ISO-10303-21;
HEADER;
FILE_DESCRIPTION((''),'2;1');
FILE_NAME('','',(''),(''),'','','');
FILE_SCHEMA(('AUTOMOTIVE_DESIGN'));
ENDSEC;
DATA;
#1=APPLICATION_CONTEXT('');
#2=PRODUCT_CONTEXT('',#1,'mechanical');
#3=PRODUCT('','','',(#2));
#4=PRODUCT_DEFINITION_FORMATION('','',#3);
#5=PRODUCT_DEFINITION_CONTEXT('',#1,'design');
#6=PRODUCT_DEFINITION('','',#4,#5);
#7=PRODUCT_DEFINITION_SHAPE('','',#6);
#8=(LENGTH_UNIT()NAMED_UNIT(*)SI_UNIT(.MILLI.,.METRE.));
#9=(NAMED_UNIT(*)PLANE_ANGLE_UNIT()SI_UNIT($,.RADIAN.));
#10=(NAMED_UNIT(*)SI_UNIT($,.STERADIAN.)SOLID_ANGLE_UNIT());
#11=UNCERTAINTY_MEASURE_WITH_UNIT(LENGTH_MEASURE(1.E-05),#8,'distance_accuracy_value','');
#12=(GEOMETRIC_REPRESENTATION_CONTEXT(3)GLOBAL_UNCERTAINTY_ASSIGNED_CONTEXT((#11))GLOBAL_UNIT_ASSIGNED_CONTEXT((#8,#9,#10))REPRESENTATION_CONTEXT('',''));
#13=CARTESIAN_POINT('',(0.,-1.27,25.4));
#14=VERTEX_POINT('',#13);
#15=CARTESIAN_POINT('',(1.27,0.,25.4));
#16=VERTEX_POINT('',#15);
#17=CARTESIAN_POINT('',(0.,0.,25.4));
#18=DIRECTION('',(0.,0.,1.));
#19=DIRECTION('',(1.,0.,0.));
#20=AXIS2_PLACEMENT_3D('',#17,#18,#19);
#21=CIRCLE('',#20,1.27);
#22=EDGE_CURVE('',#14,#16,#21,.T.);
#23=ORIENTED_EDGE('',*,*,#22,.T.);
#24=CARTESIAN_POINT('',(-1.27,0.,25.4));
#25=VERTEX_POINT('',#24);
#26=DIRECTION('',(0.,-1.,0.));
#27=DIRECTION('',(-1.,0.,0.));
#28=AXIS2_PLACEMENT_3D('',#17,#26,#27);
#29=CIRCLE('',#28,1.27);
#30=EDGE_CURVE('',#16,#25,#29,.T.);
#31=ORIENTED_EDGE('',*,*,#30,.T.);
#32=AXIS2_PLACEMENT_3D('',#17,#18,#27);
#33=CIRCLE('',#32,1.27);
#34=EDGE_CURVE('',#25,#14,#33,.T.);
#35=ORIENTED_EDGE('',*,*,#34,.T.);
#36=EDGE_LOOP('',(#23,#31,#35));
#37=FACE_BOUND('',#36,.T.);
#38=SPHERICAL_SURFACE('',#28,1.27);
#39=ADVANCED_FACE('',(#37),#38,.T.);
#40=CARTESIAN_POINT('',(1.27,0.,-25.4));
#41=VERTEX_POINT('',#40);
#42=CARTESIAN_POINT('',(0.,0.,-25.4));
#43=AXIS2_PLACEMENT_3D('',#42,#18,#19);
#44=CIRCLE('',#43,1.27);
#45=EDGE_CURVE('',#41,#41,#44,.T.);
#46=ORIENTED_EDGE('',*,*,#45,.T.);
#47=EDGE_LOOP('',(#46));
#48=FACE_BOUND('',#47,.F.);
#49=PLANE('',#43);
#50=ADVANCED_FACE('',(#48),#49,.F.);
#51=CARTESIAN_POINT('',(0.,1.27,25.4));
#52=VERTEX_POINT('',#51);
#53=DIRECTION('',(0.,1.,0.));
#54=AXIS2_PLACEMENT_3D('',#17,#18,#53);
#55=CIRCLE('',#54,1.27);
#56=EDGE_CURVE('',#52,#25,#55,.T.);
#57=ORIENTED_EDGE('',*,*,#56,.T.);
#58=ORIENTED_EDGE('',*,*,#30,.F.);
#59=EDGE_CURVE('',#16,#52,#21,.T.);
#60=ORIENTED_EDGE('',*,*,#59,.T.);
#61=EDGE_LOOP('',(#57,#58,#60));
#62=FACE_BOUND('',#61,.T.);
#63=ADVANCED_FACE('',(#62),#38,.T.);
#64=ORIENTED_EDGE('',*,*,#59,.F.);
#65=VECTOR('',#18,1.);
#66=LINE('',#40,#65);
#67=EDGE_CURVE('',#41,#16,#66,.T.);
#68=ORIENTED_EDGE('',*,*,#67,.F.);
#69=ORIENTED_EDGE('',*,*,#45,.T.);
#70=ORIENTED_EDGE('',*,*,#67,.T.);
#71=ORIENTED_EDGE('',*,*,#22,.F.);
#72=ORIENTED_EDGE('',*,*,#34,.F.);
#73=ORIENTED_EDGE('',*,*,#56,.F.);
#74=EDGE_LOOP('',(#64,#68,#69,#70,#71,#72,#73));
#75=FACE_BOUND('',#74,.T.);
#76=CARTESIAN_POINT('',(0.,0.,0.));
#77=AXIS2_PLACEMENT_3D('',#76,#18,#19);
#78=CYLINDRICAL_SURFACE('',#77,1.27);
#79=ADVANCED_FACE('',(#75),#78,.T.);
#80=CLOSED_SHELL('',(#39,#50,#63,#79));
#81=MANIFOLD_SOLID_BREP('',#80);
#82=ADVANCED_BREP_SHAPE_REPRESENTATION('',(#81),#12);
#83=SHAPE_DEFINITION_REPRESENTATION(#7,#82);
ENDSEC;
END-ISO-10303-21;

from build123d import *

# Parameters (mm, degrees)
F0_R     = 1.27
F1_DEPTH = 25.4


with BuildPart() as f1:
    # F0 (on Top) → F1 (new body, symmetric)
    with BuildSketch(Plane.XY):
        Circle(F0_R)
    extrude(amount=F1_DEPTH, both=True)

    # F2 (on face) → F3 (revolve)
    with BuildSketch(Plane.XY.offset(25.4)):
        with BuildLine():
            ThreePointArc((-1.27, 0), (-0.8980256121, -0.8980256121), (0, -1.27))
            Line((0, -1.27), (0, 0))
            Line((0, 0), (-1.27, 0))
        make_face()
        with BuildLine():
            Line((0, 0), (0, 1.27))
            ThreePointArc((0, 1.27), (-0.8980256121, 0.8980256121), (-1.27, 0))
            Line((-1.27, 0), (0, 0))
        make_face()
    revolve(axis=Axis((0, 0, 25.4), (0, -1, 0)))


solid = f1.part
